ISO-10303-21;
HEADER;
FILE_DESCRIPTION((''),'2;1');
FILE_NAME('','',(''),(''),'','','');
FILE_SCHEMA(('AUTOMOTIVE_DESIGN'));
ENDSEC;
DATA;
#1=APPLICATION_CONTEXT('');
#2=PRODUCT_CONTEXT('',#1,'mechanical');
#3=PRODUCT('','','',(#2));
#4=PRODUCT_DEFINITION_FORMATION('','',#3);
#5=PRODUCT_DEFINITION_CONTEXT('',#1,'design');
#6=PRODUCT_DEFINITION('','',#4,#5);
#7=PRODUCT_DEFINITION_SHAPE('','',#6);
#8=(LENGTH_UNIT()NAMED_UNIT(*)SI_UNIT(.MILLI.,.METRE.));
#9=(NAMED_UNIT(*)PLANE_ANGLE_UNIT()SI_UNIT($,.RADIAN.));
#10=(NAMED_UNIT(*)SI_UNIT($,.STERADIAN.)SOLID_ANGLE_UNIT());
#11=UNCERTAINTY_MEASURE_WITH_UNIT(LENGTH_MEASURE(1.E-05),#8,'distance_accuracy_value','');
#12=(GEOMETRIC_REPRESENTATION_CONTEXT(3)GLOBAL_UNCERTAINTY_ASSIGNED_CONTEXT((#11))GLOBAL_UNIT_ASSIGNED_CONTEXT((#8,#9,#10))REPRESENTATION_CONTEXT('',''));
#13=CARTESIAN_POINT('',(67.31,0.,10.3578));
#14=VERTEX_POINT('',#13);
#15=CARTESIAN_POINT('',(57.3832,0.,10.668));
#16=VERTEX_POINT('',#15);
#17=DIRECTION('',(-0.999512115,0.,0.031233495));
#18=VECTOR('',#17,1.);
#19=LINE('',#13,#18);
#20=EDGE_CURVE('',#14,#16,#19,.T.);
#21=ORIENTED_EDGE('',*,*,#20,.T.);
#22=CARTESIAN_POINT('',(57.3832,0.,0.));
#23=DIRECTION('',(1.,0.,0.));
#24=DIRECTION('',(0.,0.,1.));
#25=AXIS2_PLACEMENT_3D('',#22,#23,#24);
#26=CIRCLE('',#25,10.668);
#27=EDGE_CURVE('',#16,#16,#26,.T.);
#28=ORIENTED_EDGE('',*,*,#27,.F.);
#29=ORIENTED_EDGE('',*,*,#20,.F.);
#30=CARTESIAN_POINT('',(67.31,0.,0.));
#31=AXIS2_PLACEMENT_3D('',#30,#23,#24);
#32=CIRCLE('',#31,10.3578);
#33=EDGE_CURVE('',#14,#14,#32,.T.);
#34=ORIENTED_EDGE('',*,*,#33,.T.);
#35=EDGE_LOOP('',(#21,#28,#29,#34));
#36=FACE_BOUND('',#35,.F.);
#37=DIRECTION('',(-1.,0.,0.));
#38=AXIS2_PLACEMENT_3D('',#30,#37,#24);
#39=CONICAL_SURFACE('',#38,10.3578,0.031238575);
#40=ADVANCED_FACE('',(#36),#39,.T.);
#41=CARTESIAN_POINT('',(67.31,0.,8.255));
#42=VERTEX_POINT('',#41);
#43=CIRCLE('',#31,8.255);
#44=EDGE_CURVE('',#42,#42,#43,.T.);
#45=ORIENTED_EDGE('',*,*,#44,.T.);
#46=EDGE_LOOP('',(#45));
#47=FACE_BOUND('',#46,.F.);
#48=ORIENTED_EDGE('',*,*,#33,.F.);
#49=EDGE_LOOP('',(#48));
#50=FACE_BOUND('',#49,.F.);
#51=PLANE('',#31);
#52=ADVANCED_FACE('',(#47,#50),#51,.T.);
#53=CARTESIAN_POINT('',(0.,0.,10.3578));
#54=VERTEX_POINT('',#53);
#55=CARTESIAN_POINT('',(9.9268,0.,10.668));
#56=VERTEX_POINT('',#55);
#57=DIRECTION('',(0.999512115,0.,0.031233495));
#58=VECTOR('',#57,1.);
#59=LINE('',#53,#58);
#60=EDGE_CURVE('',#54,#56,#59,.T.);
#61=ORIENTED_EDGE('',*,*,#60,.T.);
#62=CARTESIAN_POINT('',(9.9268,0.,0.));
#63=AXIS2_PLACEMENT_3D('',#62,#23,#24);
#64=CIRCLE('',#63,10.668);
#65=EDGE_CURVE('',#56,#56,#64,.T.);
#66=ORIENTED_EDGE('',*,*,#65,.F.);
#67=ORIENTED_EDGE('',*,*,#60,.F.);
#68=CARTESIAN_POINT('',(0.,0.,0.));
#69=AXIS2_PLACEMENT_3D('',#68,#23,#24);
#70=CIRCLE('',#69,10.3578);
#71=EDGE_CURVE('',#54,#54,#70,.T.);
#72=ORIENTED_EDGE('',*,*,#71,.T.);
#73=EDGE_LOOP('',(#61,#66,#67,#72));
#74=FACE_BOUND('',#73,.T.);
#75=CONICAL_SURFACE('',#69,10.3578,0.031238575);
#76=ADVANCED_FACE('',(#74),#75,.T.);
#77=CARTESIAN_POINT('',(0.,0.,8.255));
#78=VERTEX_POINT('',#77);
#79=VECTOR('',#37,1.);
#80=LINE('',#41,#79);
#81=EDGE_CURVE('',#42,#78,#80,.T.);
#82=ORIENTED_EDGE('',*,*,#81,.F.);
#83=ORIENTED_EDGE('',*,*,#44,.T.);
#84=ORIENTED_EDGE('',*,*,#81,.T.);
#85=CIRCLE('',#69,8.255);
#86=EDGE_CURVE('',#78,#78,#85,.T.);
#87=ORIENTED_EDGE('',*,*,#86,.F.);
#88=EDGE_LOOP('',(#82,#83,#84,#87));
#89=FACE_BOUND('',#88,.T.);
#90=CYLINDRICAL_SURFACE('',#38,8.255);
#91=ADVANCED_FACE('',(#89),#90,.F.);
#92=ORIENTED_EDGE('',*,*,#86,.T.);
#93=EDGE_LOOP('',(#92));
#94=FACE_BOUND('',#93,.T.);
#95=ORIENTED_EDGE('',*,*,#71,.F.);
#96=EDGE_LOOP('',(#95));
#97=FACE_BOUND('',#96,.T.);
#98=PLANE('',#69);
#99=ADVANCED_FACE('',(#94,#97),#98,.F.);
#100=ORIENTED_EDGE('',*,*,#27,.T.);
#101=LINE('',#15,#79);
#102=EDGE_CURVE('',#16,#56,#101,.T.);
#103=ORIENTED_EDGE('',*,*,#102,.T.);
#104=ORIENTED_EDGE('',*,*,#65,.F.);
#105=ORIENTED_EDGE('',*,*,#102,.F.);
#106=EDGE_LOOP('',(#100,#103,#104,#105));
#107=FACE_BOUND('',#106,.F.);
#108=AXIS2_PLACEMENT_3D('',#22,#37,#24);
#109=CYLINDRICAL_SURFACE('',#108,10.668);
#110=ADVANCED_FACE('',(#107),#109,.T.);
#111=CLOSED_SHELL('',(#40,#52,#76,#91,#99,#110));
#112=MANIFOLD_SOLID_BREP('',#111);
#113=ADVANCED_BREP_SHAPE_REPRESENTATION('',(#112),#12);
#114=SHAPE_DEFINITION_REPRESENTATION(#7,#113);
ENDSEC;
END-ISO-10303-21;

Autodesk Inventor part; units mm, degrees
ref_plane "YZ Plane" through (0, 0, 0) normal (1, 0, 0) x (0, 1, 0)
ref_plane "XZ Plane" through (0, 0, 0) normal (0, 1, 0) x (-1, 0, 0)
ref_plane "XY Plane" through (0, 0, 0) normal (0, 0, 1) x (1, 0, 0)
sketch "Sketch1" plane through (0, 0, 0) normal (0, 1, 0) x (-1, 0, 0)
  line L0 (0, 0) -> (-67.31, 0)
  line L1 (-67.31, 0) -> (-67.31, 8.255) construction
  line L2 (-67.31, 8.255) -> (-67.31, 10.3578)
  line L3 (-67.31, 10.3578) -> (-57.3832, 10.668)
  line L4 (-57.3832, 10.668) -> (-9.9268, 10.668)
  line L5 (-33.655, 0) -> (-33.655, 10.668) construction
  line L6 (-67.31, 8.255) -> (0, 8.255)
  line L7 (0, 0) -> (0, 8.255) construction
  line L8 (0, 8.255) -> (0, 10.3578)
  line L9 (0, 10.3578) -> (-9.9268, 10.668)
  line L10 (-53.754, 10.7814) -> (-53.754, 0) construction
  line L11 (-13.556, 10.7814) -> (-13.556, 0) construction
  line L12 (-57.3832, 10.668) -> (-53.754, 10.7814) construction
  line L13 (-57.3832, 10.668) -> (-57.3832, 0) construction
  line L14 (-9.9268, 10.668) -> (-13.556, 10.7814) construction
  line L15 (-9.9268, 10.668) -> (-9.9268, 0) construction
  dimension "d0" = 21.336
  dimension "d1" = 1.79
  dimension "d2" = 16.51
  dimension "d3" = 67.31
  dimension "d4" = 13.556
  dimension "d5" = 21.5628
revolve "Revolution1" add sketch "Sketch1" angle 360 about axis through (0, 0, 0) along (1, 0, 0)
thread "Thread1" size "1/2" designation "1/2 - 14 NPT" standard "NPT" full length
thread "Thread2" size "1/2" designation "1/2 - 14 NPT" standard "NPT" full length
equation "\"d0\" = OD"
equation "\"d2\" = ID"
equation "\"d3\" = L"
equation "\"d4\" = L2"
equation "\"d5\" = D2"
equation "\"OD\" = 21.336"
equation "\"t\" = 2.413"
equation "\"L\" = PL"
equation "\"L4\" = 19.8501"
equation "\"ID\" = 16.51"
equation "\"PL\" = 67.31"
equation "\"D2\" = 21.56282"
equation "\"L2\" = 13.55598"
equation "\"Size_Designation\" = 1.2345"
equation "\"PLmin\" = 2 * L2"
properties material "Steel, Wrought"
